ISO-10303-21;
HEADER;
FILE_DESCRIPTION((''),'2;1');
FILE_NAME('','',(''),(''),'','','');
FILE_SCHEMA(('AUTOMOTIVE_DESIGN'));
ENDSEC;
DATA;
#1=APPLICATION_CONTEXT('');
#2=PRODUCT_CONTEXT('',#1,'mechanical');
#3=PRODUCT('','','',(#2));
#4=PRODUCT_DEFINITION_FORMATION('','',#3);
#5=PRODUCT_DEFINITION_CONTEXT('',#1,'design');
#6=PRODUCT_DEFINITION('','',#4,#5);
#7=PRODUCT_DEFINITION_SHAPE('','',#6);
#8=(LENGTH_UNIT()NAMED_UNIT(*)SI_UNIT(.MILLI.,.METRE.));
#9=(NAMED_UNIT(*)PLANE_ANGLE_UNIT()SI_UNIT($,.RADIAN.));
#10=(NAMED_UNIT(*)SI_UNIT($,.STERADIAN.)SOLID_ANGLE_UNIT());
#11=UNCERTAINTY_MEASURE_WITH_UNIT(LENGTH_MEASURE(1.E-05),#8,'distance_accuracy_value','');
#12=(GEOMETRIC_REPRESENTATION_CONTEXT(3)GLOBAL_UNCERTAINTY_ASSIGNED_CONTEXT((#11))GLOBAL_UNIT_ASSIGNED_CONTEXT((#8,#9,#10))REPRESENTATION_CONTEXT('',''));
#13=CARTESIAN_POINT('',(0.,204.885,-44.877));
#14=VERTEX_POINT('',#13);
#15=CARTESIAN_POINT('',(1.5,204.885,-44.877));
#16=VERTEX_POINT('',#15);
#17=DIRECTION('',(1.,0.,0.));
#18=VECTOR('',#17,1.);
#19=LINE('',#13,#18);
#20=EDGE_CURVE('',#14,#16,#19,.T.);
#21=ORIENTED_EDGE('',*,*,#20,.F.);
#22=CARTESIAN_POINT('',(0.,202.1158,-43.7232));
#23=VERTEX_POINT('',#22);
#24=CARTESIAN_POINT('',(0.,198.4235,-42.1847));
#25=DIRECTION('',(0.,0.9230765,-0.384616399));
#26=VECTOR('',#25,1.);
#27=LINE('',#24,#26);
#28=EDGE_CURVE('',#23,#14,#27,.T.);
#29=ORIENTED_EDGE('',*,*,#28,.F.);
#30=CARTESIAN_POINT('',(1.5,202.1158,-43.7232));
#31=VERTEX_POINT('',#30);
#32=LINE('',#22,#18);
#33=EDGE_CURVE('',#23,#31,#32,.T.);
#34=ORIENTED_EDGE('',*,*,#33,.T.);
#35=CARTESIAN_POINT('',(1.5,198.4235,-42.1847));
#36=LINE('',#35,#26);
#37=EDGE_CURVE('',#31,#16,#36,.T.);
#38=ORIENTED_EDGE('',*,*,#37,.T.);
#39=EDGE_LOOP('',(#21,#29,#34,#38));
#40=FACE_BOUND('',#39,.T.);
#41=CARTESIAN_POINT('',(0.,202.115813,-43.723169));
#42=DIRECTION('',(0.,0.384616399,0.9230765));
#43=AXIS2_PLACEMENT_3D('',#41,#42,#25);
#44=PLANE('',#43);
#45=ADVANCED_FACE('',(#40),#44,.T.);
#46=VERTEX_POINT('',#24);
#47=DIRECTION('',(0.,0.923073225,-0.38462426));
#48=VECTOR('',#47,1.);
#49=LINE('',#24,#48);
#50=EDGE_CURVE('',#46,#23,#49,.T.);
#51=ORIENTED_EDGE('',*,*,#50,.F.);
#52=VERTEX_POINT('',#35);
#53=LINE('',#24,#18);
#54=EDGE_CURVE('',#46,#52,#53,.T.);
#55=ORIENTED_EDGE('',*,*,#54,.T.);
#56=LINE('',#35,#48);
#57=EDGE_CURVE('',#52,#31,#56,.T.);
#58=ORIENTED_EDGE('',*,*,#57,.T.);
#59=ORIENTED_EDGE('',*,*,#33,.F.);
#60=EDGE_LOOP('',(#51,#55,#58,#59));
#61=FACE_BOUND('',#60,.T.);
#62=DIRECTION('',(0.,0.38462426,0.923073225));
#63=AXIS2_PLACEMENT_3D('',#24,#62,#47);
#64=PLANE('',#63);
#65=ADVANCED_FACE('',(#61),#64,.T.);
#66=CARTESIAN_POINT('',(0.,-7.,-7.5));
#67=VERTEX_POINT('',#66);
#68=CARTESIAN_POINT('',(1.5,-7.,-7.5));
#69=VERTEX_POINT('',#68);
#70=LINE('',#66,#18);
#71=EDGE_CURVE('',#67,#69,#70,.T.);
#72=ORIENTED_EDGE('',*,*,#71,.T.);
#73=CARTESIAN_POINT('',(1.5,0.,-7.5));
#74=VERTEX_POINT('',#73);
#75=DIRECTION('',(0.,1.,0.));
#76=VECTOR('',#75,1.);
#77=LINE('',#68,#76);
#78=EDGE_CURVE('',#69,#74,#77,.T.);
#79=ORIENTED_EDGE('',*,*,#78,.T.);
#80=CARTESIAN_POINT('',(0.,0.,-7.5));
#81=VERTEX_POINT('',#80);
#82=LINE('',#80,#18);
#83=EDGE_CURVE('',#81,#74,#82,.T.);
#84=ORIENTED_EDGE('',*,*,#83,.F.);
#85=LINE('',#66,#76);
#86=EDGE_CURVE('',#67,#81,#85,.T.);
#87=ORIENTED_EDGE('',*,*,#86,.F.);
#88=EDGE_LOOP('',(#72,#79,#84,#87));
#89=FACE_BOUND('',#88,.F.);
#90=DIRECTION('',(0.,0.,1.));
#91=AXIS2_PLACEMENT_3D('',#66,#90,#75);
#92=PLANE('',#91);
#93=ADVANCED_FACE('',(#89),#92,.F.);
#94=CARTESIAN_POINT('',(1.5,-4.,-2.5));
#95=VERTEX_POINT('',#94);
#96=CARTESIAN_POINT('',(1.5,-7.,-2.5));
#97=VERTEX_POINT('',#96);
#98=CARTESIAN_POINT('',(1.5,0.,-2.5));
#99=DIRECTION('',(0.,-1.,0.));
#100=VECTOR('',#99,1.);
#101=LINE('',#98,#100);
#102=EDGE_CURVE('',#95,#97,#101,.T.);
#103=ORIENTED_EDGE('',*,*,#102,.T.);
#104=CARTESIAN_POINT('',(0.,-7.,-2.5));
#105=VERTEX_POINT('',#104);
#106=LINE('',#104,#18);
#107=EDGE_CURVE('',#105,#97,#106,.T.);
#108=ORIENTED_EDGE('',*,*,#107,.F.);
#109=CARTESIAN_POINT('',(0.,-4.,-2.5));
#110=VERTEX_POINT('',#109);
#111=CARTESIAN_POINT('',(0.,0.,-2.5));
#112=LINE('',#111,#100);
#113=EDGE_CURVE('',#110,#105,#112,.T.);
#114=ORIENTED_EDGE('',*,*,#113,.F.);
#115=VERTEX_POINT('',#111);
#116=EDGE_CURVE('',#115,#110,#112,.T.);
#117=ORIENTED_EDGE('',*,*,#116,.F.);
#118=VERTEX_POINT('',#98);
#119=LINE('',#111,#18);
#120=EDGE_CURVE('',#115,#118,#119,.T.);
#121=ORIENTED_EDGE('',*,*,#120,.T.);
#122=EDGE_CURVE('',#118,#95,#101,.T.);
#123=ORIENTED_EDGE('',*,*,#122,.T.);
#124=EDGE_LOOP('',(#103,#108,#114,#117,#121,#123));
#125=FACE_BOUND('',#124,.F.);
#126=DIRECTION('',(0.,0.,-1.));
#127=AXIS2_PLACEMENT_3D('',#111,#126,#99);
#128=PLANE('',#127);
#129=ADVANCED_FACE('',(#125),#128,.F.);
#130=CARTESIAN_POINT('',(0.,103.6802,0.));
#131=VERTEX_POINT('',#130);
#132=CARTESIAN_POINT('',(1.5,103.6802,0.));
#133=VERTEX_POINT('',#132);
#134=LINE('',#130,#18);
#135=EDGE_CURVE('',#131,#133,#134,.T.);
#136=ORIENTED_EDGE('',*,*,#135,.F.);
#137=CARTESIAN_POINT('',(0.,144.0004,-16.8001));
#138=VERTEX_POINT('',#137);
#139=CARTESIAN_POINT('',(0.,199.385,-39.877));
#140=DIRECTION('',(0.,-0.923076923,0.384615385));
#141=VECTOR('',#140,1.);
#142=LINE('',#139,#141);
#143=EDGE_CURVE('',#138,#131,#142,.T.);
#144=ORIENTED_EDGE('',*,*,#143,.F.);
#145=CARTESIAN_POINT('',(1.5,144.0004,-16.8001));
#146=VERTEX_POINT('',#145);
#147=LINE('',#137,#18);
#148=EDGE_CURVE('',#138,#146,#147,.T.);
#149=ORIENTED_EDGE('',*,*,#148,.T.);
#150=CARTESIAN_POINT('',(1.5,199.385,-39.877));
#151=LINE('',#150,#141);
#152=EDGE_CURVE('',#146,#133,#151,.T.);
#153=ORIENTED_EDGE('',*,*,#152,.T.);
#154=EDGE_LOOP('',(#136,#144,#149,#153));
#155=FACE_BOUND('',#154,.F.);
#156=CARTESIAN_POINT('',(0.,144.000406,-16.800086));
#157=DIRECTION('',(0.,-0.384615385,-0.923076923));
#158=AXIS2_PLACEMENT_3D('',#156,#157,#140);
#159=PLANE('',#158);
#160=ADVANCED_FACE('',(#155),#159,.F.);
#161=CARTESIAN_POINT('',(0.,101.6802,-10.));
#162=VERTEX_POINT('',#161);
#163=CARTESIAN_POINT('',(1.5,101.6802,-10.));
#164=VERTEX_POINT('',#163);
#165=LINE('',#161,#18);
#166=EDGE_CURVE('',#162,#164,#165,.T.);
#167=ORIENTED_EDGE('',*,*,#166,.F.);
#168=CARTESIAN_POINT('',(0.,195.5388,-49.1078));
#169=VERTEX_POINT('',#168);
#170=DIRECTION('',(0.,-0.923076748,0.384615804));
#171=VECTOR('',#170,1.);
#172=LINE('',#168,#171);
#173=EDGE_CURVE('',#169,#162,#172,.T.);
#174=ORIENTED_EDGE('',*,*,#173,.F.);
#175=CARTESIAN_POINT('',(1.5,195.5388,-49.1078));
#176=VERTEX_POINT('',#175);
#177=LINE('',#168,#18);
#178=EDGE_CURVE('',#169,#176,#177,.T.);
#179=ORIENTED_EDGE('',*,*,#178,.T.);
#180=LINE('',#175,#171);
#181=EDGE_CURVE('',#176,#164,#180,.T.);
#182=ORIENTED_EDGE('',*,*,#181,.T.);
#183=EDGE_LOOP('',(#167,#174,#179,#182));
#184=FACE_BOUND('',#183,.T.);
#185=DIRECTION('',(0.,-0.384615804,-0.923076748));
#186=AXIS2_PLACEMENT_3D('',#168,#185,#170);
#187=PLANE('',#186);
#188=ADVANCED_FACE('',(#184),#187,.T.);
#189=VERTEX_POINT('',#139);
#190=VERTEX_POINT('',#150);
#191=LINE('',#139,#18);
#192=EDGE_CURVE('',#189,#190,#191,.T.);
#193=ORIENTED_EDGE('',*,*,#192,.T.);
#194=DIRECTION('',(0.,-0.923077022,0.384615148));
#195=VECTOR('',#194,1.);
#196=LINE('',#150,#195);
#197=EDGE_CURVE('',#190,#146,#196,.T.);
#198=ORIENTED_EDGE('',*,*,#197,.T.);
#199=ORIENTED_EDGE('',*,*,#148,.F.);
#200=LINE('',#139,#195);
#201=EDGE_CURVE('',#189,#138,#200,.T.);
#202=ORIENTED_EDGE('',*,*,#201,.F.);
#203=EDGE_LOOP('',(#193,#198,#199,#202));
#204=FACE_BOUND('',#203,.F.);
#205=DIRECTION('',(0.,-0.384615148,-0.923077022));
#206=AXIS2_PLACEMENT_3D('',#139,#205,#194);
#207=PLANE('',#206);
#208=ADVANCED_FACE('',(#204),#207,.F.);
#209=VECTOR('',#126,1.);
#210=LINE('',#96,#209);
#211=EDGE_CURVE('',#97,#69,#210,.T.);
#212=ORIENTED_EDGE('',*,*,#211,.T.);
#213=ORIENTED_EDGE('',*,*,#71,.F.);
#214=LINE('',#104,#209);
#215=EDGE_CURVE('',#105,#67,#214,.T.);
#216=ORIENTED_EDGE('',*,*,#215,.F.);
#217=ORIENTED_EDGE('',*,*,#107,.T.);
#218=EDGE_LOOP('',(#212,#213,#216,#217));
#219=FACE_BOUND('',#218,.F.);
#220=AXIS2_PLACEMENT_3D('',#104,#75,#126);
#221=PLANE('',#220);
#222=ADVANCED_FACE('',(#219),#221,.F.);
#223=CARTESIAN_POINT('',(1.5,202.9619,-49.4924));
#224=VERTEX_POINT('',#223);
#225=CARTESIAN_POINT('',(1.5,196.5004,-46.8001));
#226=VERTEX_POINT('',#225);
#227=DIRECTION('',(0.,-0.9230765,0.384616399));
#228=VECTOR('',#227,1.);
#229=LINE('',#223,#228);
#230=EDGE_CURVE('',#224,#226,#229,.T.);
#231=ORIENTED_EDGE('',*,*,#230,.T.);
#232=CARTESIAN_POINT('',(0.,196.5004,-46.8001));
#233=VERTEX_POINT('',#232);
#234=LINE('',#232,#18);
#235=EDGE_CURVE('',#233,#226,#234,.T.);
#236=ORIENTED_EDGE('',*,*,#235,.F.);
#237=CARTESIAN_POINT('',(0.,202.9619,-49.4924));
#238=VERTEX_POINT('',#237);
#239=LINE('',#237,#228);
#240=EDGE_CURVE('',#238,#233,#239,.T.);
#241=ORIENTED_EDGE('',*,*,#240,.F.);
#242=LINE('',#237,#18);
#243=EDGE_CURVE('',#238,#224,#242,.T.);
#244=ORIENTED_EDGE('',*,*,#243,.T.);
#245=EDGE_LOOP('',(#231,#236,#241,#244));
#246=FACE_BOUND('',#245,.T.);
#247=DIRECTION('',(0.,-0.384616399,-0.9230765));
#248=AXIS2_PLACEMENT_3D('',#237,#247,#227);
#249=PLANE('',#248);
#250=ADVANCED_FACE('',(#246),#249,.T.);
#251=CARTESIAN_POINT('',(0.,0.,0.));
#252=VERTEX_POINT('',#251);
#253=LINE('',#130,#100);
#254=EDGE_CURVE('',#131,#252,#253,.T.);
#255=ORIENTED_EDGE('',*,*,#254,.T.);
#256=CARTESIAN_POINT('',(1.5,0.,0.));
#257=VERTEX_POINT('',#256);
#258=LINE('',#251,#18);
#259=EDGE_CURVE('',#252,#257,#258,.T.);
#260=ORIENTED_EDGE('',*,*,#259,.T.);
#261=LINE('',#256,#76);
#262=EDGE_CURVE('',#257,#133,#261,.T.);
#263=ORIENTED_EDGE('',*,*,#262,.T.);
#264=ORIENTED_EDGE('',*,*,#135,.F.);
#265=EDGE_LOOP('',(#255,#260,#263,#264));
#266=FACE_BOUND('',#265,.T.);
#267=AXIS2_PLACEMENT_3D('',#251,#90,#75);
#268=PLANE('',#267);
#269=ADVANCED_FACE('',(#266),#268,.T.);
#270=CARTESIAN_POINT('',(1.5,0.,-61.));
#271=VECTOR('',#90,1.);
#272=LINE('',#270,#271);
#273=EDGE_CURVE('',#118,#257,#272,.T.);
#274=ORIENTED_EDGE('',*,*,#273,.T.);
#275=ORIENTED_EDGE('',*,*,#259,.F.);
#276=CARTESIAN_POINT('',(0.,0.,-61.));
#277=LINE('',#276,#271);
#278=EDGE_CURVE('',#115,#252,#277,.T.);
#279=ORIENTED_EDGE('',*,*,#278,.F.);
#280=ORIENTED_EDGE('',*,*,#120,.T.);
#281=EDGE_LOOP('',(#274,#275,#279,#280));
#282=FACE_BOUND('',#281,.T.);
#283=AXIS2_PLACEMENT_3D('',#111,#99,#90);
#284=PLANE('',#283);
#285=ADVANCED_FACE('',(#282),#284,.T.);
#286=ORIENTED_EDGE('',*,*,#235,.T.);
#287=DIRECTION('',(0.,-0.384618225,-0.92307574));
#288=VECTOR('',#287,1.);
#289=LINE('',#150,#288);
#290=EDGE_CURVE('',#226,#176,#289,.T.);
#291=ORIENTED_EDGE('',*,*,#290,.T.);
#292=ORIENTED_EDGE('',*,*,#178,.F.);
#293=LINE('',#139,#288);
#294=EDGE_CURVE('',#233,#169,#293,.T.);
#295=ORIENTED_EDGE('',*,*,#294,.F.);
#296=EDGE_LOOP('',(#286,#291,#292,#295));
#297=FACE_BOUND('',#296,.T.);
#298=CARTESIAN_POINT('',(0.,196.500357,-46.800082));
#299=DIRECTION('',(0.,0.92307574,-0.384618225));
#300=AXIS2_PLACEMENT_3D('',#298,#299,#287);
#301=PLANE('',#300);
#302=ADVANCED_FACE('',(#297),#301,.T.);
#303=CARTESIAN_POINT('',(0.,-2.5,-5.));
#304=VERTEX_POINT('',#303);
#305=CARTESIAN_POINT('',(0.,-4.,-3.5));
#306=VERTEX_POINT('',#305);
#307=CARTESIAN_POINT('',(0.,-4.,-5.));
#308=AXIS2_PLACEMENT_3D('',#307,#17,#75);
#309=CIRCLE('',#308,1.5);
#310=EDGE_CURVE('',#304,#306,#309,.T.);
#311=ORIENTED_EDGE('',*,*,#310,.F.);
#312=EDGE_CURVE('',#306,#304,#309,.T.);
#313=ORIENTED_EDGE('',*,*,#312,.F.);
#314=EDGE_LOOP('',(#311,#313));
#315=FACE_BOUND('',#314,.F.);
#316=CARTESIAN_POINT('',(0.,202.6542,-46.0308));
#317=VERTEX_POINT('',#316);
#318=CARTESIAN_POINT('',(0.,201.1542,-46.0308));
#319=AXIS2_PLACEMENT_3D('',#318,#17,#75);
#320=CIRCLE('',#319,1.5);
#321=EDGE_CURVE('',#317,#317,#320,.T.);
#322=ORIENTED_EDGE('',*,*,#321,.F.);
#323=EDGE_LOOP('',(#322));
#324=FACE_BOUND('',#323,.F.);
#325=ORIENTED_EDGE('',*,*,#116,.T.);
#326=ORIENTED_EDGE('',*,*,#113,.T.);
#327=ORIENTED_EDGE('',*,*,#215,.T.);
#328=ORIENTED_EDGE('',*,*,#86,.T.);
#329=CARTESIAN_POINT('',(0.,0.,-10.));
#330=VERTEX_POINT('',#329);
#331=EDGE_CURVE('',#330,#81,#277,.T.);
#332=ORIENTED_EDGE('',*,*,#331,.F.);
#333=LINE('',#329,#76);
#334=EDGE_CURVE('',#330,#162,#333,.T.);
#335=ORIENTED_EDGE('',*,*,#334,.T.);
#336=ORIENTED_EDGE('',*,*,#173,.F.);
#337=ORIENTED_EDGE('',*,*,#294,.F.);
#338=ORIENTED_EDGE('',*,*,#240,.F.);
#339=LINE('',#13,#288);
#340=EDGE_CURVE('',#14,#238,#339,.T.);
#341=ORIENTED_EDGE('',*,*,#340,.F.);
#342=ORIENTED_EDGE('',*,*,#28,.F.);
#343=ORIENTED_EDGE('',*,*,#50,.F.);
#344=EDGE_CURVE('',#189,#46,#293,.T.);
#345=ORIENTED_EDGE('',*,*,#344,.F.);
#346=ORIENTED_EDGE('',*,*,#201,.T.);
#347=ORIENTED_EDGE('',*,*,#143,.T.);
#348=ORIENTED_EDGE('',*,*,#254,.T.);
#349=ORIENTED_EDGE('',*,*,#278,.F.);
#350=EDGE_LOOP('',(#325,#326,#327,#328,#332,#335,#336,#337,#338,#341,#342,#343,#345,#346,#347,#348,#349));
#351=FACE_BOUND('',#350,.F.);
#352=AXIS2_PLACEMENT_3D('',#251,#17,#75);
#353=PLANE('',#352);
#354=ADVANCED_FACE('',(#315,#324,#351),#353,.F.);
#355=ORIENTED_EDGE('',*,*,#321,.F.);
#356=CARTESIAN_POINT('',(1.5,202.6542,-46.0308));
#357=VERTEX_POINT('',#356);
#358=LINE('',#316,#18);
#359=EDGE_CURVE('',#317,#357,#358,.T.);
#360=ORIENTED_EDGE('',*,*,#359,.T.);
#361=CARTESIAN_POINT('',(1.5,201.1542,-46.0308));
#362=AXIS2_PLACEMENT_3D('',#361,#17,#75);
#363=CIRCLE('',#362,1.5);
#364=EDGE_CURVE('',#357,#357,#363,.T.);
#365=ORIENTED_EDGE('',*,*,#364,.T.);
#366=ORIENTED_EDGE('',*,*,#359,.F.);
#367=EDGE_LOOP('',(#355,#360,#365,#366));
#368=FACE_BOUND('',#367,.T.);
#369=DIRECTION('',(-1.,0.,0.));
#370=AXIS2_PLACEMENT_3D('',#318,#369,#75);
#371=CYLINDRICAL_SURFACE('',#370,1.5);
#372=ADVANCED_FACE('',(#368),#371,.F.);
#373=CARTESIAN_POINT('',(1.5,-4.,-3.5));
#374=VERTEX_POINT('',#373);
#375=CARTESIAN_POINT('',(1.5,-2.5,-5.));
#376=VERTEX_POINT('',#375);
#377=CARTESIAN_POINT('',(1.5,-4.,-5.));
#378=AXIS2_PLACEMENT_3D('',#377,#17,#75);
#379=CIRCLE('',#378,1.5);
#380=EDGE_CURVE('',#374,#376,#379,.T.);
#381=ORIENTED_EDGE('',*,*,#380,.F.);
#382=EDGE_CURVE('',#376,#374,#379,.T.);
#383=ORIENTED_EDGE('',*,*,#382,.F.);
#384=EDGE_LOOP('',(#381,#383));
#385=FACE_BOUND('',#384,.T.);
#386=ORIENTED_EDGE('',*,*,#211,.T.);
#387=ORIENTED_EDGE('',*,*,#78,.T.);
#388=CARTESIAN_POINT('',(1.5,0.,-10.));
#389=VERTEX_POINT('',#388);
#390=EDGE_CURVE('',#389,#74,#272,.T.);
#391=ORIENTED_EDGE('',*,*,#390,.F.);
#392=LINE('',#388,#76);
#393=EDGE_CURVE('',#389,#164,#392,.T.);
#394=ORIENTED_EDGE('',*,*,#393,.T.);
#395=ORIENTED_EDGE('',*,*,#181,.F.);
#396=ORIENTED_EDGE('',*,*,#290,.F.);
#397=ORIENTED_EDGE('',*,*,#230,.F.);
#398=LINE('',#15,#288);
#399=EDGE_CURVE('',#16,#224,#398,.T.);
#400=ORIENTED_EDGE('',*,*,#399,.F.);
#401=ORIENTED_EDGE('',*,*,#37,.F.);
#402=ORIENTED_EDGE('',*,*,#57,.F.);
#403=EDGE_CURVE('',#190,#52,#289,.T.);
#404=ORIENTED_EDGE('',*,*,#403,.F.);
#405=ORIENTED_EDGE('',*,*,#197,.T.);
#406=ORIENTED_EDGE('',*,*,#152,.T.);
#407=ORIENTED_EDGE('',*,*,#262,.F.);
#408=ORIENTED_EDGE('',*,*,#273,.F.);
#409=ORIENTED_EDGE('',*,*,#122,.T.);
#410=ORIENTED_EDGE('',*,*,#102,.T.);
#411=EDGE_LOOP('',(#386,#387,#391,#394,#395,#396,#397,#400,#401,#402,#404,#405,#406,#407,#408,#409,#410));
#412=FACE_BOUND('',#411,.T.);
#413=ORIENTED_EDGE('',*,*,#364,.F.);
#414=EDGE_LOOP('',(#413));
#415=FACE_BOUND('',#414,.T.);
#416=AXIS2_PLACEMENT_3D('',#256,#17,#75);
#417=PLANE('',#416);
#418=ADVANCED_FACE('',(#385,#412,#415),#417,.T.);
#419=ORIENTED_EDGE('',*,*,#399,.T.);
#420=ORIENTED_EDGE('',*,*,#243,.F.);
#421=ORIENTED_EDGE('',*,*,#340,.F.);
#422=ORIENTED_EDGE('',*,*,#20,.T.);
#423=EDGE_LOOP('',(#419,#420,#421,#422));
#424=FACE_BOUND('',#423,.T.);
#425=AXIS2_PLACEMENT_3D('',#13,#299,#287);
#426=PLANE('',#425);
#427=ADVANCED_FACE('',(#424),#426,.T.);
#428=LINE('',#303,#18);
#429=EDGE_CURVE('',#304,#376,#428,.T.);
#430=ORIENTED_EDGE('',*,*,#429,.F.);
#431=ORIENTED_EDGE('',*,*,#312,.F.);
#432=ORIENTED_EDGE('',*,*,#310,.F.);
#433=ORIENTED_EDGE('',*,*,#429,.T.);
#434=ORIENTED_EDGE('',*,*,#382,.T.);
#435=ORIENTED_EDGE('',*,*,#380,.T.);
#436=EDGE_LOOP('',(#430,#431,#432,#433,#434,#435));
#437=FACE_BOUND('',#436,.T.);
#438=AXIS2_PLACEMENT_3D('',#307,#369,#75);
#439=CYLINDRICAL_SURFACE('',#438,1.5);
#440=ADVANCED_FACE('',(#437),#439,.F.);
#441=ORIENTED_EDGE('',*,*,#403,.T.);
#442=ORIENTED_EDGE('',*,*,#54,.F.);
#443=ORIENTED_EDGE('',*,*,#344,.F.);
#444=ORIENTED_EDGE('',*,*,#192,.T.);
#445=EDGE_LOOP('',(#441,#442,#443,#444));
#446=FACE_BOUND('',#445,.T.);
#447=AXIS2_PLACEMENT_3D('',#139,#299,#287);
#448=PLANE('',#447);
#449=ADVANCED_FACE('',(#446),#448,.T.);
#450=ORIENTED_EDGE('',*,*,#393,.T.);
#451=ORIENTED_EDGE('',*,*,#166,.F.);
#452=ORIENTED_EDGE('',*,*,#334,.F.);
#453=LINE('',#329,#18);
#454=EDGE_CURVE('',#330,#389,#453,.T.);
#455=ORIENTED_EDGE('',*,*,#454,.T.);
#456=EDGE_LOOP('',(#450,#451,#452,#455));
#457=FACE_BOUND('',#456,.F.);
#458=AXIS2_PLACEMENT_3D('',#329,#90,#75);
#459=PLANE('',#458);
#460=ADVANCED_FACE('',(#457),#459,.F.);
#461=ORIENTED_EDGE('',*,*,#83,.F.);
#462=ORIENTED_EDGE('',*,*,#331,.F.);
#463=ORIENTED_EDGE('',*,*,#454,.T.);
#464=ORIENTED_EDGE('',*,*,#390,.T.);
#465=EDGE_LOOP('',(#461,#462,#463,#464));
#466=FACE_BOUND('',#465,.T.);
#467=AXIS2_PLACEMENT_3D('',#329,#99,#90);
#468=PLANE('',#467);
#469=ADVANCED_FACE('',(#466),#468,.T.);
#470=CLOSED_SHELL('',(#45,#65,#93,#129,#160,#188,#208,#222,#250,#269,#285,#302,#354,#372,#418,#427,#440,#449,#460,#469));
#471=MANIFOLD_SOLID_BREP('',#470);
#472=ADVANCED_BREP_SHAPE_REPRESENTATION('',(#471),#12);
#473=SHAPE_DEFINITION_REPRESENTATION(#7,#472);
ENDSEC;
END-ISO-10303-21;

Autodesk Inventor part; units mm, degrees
ref_plane "YZ Plane" through (0, 0, 0) normal (1, 0, 0) x (0, 1, 0)
ref_plane "XZ Plane" through (0, 0, 0) normal (0, 1, 0) x (-1, 0, 0)
ref_plane "XY Plane" through (0, 0, 0) normal (0, 0, 1) x (1, 0, 0)
sketch "Sketch2" plane through (0, 0, 0) normal (1, 0, 0) x (0, 1, 0)
  line L0 (0, 4) -> (60, 4)
  line L1 (0, 0) -> (60, 0)
  line L2 (0, -61) -> (0, 14)
  line L3 (96.4802, -36) -> (98.4802, -26)
  line L4 (96.4802, -36) -> (110.2083, 32.6406)
  line L5 (0, 0) -> (103.6802, 0)
  line L6 (0, 0) -> (0, -10)
  line L7 (0, -10) -> (101.6802, -10)
  line L8 (0, 0) -> (0, -2.5)
  line L9 (0, -2.5) -> (-7, -2.5)
  line L10 (-7, -2.5) -> (-7, -7.5)
  line L11 (-7, -7.5) -> (0, -7.5)
  line L12 (0, -2.5) -> (-4, -2.5)
  line L13 (-4, -2.5) -> (-4, -5)
  circle A0 centre (-4, -5) radius 1.5
  line L14 (198.4235, -42.1847) -> (202.1158, -43.7232)
  line L15 (204.885, -44.877) -> (202.9619, -49.4924)
  line L16 (198.4235, -42.1847) -> (204.885, -44.877)
  line L17 (202.9619, -49.4924) -> (196.5004, -46.8001)
  circle A1 centre (201.1542, -46.0308) radius 1.5
  line L18 (199.385, -39.877) -> (195.5388, -49.1078)
  line L19 (199.385, -39.877) -> (144.0004, -16.8001)
  line L20 (195.5388, -49.1078) -> (101.6802, -10)
  line L21 (199.385, -39.877) -> (103.6802, 0)
  point P0 (0, -7.5)
  dimension "d10" = 70
  dimension "d11" = 10
  dimension "d12" = 2.5
  dimension "d13" = 7
  dimension "d14" = 5
  dimension "d15" = 4
  dimension "d16" = 2.5
  dimension "d17" = 3
extrude "Extrusion2" add sketch "Sketch2" along normal blind 1.5
properties part number "MotorSupport"
